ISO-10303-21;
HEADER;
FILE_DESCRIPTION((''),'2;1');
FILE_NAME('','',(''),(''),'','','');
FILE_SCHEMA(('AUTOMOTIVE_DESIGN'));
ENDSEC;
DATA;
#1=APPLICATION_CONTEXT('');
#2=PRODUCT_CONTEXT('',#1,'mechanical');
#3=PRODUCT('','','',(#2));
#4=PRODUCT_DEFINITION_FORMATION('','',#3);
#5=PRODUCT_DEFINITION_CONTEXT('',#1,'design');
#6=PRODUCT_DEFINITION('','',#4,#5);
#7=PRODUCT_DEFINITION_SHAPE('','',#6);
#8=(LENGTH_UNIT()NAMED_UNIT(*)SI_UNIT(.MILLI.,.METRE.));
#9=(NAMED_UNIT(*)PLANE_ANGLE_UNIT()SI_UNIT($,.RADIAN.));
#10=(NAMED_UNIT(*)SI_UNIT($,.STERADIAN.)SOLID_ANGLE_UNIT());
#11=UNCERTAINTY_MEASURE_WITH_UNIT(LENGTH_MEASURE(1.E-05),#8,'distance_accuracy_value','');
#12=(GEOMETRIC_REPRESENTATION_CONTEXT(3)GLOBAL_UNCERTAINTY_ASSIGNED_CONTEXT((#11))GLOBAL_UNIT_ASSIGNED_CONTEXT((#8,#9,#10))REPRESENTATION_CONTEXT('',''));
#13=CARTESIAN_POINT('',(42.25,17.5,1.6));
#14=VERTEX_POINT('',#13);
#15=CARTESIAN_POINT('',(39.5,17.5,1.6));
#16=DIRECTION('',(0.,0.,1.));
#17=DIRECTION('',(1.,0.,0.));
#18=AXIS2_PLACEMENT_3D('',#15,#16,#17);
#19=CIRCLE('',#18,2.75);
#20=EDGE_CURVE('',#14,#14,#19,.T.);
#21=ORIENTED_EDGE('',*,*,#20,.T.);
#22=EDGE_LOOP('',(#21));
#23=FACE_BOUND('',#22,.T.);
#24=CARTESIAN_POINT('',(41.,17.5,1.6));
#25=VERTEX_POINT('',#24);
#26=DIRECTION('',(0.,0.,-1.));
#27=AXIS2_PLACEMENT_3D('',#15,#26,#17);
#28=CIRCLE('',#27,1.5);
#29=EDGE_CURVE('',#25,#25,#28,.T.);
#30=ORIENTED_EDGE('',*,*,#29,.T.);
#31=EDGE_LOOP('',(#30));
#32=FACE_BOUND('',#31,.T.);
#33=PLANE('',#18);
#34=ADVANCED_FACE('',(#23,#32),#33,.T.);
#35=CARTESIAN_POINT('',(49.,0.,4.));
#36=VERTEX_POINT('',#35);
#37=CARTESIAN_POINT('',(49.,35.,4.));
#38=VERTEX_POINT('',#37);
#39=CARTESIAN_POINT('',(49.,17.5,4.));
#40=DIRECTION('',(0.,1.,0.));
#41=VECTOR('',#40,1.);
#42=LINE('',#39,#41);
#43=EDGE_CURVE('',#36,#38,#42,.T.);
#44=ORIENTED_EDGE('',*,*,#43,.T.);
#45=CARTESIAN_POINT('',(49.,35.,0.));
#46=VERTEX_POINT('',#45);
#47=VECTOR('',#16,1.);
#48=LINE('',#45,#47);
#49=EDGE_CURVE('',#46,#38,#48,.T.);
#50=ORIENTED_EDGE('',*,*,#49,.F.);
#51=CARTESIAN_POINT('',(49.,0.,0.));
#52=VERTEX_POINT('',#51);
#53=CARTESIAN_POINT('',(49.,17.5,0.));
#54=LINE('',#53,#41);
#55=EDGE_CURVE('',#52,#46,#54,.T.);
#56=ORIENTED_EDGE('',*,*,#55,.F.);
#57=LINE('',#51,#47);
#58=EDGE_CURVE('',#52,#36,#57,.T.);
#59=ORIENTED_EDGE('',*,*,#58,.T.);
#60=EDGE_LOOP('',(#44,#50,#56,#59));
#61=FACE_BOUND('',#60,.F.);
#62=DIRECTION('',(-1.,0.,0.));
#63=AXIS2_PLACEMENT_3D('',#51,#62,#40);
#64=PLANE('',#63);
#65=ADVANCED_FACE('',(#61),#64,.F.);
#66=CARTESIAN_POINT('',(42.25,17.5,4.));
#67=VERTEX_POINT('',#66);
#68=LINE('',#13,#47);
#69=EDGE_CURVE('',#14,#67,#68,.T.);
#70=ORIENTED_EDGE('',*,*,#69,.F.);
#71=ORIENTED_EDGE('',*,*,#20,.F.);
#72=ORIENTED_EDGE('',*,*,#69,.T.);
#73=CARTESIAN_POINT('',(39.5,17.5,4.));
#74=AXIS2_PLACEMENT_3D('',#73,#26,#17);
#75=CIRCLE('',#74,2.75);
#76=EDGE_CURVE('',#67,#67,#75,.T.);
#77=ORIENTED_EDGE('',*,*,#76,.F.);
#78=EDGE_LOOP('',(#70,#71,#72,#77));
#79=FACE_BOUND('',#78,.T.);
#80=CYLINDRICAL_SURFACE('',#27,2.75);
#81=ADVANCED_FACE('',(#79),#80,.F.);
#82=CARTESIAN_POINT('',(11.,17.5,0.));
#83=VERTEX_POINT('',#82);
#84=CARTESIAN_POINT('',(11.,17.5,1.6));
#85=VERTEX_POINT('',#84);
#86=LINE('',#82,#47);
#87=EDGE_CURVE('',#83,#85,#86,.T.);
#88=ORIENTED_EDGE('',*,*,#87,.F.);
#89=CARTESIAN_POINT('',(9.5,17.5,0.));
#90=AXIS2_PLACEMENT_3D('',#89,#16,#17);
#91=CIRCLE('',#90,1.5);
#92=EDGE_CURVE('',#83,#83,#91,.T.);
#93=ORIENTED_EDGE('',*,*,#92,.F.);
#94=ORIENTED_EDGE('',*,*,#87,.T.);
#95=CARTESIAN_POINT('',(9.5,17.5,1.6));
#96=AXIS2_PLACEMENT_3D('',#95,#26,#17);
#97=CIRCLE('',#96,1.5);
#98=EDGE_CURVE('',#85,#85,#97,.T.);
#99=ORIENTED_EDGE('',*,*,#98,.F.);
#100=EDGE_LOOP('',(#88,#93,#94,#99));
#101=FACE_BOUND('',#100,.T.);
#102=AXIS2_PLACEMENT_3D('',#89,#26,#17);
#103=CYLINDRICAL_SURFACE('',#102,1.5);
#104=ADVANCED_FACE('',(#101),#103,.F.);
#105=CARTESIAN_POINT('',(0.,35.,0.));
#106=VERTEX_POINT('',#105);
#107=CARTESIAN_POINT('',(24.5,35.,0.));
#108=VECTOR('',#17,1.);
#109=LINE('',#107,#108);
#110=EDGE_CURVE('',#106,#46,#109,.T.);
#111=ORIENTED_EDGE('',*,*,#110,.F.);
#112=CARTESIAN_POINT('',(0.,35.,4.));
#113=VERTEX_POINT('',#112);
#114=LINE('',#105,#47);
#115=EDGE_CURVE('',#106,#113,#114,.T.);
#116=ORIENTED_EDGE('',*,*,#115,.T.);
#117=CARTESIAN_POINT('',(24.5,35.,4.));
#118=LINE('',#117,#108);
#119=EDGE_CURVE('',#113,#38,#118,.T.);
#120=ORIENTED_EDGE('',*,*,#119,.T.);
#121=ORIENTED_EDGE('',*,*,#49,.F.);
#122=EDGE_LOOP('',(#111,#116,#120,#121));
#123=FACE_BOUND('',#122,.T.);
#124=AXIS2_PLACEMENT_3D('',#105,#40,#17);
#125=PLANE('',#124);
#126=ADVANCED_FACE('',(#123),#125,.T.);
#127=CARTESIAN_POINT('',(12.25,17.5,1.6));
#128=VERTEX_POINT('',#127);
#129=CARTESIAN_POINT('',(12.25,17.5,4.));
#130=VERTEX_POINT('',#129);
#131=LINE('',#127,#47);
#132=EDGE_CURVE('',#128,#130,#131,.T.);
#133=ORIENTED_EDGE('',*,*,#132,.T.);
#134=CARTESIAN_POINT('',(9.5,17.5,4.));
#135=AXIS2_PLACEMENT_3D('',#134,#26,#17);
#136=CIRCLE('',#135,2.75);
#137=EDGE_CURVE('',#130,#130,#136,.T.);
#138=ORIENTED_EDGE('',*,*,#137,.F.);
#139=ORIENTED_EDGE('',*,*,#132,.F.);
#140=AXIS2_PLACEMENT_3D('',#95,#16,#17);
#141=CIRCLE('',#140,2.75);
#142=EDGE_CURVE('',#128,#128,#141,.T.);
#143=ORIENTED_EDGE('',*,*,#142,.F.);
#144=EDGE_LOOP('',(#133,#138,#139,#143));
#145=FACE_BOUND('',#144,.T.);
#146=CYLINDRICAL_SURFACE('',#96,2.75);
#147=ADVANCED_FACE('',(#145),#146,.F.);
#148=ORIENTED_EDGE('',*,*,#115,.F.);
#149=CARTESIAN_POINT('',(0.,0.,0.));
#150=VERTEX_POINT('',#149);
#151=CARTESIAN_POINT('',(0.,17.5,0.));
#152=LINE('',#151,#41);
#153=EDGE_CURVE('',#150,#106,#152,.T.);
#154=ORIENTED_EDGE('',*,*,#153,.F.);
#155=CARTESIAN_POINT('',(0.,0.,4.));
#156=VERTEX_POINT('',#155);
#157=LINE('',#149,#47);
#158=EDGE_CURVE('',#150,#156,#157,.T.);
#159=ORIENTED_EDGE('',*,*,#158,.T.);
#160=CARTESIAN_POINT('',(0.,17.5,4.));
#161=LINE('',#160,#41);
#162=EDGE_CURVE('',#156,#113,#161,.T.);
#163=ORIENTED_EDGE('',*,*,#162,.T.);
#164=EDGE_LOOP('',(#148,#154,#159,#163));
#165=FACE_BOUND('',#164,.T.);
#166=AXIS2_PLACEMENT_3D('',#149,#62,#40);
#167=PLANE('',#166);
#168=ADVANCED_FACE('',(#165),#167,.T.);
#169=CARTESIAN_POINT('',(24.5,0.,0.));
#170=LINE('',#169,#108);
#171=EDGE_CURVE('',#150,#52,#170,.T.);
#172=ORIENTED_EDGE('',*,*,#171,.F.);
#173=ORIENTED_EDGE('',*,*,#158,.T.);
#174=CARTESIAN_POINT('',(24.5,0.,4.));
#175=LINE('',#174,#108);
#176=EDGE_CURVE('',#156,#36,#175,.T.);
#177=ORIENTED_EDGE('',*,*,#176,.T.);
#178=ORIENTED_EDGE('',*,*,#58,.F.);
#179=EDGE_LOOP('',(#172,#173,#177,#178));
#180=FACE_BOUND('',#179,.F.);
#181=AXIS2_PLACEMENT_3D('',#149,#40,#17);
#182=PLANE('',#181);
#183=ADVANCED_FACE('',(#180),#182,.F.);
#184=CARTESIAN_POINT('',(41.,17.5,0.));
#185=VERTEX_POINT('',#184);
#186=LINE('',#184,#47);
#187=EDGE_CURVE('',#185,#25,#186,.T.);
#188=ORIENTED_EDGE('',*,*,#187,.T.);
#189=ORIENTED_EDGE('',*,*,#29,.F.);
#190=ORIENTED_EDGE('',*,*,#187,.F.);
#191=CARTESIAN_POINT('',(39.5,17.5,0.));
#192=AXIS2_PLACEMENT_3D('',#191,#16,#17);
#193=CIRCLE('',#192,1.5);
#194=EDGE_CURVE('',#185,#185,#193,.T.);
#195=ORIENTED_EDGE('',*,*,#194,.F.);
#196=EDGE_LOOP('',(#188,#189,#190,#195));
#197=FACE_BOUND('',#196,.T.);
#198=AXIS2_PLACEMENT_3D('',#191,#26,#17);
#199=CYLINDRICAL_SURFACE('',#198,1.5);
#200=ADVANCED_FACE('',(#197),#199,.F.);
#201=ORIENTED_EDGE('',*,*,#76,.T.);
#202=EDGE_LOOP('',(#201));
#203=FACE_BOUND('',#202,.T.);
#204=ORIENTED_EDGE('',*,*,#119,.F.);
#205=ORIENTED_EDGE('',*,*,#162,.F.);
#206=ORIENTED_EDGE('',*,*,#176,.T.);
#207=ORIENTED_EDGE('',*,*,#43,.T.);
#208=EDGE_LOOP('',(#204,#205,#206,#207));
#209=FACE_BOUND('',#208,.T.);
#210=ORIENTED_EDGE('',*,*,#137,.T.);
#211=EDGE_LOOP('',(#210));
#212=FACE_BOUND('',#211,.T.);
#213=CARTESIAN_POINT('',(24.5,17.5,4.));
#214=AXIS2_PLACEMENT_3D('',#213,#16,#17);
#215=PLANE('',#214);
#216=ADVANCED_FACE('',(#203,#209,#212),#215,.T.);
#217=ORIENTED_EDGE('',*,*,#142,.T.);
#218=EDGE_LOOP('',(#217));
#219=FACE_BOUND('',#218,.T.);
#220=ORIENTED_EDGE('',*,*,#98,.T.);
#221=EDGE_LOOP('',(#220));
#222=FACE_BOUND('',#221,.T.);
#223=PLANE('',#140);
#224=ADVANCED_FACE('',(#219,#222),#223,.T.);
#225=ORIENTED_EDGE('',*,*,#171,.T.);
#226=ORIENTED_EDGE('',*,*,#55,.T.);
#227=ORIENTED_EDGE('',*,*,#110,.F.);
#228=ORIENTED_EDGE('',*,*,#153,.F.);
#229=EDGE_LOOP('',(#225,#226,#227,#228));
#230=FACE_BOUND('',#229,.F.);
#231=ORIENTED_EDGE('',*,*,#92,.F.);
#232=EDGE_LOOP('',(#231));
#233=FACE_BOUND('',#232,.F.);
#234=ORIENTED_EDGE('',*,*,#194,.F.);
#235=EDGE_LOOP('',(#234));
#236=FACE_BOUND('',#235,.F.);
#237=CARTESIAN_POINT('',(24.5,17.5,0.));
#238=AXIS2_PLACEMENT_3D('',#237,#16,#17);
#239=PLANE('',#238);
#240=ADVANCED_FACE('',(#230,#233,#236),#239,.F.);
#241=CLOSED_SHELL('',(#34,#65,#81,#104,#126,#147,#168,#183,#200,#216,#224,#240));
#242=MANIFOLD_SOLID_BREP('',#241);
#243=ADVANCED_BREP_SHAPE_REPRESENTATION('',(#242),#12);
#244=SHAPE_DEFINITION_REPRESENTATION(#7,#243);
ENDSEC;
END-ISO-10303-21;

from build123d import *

# Parameters (mm, degrees)
CYLINDER003_R     = 2.75
CYLINDER003_DEPTH = 3.4
CYLINDER002_R     = 1.5
CYLINDER002_DEPTH = 5
CYLINDER001_R     = 2.75
CYLINDER001_DEPTH = 3.4
CYLINDER_R        = 1.5
CYLINDER_DEPTH    = 5
BOX_W             = 49
BOX_H             = 35
BOX_DEPTH         = 4


with BuildPart() as cylinder003:
    # Cylinder003 → Cylinder003 (new body)
    with BuildSketch(Plane.XY.offset(11.6)):
        Circle(CYLINDER003_R)
    extrude(amount=CYLINDER003_DEPTH)


with BuildPart() as fusion001:
    # Cylinder002 → Cylinder002 (new body)
    with BuildSketch(Plane.XY.offset(10)):
        Circle(CYLINDER002_R)
    extrude(amount=CYLINDER002_DEPTH)

    # Fusion001: union Cylinder003
    add(cylinder003.part)


with BuildPart() as fusion001_1:
    # Fusion001 placement: moved
    add(fusion001.part.moved(Location((39.5, 17.5, -10))))


with BuildPart() as cylinder001:
    # Cylinder001 → Cylinder001 (new body)
    with BuildSketch(Plane.XY.offset(11.6)):
        Circle(CYLINDER001_R)
    extrude(amount=CYLINDER001_DEPTH)


with BuildPart() as fusion:
    # Cylinder → Cylinder (new body)
    with BuildSketch(Plane.XY.offset(10)):
        Circle(CYLINDER_R)
    extrude(amount=CYLINDER_DEPTH)

    # Fusion: union Cylinder001
    add(cylinder001.part)


with BuildPart() as fusion_1:
    # Fusion placement: moved
    add(fusion.part.moved(Location((9.5, 17.5, -10))))


with BuildPart() as soporte_para_minibreadboard:
    # Box → Box (new body)
    with BuildSketch(Plane.XY):
        with Locations((24.5, 17.5)):
            Rectangle(BOX_W, BOX_H)
    extrude(amount=BOX_DEPTH)

    # Cut: cut Fusion
    add(fusion_1.part, mode=Mode.SUBTRACT)

    # Cut001: cut Fusion001
    add(fusion001_1.part, mode=Mode.SUBTRACT)


solid = soporte_para_minibreadboard.part
